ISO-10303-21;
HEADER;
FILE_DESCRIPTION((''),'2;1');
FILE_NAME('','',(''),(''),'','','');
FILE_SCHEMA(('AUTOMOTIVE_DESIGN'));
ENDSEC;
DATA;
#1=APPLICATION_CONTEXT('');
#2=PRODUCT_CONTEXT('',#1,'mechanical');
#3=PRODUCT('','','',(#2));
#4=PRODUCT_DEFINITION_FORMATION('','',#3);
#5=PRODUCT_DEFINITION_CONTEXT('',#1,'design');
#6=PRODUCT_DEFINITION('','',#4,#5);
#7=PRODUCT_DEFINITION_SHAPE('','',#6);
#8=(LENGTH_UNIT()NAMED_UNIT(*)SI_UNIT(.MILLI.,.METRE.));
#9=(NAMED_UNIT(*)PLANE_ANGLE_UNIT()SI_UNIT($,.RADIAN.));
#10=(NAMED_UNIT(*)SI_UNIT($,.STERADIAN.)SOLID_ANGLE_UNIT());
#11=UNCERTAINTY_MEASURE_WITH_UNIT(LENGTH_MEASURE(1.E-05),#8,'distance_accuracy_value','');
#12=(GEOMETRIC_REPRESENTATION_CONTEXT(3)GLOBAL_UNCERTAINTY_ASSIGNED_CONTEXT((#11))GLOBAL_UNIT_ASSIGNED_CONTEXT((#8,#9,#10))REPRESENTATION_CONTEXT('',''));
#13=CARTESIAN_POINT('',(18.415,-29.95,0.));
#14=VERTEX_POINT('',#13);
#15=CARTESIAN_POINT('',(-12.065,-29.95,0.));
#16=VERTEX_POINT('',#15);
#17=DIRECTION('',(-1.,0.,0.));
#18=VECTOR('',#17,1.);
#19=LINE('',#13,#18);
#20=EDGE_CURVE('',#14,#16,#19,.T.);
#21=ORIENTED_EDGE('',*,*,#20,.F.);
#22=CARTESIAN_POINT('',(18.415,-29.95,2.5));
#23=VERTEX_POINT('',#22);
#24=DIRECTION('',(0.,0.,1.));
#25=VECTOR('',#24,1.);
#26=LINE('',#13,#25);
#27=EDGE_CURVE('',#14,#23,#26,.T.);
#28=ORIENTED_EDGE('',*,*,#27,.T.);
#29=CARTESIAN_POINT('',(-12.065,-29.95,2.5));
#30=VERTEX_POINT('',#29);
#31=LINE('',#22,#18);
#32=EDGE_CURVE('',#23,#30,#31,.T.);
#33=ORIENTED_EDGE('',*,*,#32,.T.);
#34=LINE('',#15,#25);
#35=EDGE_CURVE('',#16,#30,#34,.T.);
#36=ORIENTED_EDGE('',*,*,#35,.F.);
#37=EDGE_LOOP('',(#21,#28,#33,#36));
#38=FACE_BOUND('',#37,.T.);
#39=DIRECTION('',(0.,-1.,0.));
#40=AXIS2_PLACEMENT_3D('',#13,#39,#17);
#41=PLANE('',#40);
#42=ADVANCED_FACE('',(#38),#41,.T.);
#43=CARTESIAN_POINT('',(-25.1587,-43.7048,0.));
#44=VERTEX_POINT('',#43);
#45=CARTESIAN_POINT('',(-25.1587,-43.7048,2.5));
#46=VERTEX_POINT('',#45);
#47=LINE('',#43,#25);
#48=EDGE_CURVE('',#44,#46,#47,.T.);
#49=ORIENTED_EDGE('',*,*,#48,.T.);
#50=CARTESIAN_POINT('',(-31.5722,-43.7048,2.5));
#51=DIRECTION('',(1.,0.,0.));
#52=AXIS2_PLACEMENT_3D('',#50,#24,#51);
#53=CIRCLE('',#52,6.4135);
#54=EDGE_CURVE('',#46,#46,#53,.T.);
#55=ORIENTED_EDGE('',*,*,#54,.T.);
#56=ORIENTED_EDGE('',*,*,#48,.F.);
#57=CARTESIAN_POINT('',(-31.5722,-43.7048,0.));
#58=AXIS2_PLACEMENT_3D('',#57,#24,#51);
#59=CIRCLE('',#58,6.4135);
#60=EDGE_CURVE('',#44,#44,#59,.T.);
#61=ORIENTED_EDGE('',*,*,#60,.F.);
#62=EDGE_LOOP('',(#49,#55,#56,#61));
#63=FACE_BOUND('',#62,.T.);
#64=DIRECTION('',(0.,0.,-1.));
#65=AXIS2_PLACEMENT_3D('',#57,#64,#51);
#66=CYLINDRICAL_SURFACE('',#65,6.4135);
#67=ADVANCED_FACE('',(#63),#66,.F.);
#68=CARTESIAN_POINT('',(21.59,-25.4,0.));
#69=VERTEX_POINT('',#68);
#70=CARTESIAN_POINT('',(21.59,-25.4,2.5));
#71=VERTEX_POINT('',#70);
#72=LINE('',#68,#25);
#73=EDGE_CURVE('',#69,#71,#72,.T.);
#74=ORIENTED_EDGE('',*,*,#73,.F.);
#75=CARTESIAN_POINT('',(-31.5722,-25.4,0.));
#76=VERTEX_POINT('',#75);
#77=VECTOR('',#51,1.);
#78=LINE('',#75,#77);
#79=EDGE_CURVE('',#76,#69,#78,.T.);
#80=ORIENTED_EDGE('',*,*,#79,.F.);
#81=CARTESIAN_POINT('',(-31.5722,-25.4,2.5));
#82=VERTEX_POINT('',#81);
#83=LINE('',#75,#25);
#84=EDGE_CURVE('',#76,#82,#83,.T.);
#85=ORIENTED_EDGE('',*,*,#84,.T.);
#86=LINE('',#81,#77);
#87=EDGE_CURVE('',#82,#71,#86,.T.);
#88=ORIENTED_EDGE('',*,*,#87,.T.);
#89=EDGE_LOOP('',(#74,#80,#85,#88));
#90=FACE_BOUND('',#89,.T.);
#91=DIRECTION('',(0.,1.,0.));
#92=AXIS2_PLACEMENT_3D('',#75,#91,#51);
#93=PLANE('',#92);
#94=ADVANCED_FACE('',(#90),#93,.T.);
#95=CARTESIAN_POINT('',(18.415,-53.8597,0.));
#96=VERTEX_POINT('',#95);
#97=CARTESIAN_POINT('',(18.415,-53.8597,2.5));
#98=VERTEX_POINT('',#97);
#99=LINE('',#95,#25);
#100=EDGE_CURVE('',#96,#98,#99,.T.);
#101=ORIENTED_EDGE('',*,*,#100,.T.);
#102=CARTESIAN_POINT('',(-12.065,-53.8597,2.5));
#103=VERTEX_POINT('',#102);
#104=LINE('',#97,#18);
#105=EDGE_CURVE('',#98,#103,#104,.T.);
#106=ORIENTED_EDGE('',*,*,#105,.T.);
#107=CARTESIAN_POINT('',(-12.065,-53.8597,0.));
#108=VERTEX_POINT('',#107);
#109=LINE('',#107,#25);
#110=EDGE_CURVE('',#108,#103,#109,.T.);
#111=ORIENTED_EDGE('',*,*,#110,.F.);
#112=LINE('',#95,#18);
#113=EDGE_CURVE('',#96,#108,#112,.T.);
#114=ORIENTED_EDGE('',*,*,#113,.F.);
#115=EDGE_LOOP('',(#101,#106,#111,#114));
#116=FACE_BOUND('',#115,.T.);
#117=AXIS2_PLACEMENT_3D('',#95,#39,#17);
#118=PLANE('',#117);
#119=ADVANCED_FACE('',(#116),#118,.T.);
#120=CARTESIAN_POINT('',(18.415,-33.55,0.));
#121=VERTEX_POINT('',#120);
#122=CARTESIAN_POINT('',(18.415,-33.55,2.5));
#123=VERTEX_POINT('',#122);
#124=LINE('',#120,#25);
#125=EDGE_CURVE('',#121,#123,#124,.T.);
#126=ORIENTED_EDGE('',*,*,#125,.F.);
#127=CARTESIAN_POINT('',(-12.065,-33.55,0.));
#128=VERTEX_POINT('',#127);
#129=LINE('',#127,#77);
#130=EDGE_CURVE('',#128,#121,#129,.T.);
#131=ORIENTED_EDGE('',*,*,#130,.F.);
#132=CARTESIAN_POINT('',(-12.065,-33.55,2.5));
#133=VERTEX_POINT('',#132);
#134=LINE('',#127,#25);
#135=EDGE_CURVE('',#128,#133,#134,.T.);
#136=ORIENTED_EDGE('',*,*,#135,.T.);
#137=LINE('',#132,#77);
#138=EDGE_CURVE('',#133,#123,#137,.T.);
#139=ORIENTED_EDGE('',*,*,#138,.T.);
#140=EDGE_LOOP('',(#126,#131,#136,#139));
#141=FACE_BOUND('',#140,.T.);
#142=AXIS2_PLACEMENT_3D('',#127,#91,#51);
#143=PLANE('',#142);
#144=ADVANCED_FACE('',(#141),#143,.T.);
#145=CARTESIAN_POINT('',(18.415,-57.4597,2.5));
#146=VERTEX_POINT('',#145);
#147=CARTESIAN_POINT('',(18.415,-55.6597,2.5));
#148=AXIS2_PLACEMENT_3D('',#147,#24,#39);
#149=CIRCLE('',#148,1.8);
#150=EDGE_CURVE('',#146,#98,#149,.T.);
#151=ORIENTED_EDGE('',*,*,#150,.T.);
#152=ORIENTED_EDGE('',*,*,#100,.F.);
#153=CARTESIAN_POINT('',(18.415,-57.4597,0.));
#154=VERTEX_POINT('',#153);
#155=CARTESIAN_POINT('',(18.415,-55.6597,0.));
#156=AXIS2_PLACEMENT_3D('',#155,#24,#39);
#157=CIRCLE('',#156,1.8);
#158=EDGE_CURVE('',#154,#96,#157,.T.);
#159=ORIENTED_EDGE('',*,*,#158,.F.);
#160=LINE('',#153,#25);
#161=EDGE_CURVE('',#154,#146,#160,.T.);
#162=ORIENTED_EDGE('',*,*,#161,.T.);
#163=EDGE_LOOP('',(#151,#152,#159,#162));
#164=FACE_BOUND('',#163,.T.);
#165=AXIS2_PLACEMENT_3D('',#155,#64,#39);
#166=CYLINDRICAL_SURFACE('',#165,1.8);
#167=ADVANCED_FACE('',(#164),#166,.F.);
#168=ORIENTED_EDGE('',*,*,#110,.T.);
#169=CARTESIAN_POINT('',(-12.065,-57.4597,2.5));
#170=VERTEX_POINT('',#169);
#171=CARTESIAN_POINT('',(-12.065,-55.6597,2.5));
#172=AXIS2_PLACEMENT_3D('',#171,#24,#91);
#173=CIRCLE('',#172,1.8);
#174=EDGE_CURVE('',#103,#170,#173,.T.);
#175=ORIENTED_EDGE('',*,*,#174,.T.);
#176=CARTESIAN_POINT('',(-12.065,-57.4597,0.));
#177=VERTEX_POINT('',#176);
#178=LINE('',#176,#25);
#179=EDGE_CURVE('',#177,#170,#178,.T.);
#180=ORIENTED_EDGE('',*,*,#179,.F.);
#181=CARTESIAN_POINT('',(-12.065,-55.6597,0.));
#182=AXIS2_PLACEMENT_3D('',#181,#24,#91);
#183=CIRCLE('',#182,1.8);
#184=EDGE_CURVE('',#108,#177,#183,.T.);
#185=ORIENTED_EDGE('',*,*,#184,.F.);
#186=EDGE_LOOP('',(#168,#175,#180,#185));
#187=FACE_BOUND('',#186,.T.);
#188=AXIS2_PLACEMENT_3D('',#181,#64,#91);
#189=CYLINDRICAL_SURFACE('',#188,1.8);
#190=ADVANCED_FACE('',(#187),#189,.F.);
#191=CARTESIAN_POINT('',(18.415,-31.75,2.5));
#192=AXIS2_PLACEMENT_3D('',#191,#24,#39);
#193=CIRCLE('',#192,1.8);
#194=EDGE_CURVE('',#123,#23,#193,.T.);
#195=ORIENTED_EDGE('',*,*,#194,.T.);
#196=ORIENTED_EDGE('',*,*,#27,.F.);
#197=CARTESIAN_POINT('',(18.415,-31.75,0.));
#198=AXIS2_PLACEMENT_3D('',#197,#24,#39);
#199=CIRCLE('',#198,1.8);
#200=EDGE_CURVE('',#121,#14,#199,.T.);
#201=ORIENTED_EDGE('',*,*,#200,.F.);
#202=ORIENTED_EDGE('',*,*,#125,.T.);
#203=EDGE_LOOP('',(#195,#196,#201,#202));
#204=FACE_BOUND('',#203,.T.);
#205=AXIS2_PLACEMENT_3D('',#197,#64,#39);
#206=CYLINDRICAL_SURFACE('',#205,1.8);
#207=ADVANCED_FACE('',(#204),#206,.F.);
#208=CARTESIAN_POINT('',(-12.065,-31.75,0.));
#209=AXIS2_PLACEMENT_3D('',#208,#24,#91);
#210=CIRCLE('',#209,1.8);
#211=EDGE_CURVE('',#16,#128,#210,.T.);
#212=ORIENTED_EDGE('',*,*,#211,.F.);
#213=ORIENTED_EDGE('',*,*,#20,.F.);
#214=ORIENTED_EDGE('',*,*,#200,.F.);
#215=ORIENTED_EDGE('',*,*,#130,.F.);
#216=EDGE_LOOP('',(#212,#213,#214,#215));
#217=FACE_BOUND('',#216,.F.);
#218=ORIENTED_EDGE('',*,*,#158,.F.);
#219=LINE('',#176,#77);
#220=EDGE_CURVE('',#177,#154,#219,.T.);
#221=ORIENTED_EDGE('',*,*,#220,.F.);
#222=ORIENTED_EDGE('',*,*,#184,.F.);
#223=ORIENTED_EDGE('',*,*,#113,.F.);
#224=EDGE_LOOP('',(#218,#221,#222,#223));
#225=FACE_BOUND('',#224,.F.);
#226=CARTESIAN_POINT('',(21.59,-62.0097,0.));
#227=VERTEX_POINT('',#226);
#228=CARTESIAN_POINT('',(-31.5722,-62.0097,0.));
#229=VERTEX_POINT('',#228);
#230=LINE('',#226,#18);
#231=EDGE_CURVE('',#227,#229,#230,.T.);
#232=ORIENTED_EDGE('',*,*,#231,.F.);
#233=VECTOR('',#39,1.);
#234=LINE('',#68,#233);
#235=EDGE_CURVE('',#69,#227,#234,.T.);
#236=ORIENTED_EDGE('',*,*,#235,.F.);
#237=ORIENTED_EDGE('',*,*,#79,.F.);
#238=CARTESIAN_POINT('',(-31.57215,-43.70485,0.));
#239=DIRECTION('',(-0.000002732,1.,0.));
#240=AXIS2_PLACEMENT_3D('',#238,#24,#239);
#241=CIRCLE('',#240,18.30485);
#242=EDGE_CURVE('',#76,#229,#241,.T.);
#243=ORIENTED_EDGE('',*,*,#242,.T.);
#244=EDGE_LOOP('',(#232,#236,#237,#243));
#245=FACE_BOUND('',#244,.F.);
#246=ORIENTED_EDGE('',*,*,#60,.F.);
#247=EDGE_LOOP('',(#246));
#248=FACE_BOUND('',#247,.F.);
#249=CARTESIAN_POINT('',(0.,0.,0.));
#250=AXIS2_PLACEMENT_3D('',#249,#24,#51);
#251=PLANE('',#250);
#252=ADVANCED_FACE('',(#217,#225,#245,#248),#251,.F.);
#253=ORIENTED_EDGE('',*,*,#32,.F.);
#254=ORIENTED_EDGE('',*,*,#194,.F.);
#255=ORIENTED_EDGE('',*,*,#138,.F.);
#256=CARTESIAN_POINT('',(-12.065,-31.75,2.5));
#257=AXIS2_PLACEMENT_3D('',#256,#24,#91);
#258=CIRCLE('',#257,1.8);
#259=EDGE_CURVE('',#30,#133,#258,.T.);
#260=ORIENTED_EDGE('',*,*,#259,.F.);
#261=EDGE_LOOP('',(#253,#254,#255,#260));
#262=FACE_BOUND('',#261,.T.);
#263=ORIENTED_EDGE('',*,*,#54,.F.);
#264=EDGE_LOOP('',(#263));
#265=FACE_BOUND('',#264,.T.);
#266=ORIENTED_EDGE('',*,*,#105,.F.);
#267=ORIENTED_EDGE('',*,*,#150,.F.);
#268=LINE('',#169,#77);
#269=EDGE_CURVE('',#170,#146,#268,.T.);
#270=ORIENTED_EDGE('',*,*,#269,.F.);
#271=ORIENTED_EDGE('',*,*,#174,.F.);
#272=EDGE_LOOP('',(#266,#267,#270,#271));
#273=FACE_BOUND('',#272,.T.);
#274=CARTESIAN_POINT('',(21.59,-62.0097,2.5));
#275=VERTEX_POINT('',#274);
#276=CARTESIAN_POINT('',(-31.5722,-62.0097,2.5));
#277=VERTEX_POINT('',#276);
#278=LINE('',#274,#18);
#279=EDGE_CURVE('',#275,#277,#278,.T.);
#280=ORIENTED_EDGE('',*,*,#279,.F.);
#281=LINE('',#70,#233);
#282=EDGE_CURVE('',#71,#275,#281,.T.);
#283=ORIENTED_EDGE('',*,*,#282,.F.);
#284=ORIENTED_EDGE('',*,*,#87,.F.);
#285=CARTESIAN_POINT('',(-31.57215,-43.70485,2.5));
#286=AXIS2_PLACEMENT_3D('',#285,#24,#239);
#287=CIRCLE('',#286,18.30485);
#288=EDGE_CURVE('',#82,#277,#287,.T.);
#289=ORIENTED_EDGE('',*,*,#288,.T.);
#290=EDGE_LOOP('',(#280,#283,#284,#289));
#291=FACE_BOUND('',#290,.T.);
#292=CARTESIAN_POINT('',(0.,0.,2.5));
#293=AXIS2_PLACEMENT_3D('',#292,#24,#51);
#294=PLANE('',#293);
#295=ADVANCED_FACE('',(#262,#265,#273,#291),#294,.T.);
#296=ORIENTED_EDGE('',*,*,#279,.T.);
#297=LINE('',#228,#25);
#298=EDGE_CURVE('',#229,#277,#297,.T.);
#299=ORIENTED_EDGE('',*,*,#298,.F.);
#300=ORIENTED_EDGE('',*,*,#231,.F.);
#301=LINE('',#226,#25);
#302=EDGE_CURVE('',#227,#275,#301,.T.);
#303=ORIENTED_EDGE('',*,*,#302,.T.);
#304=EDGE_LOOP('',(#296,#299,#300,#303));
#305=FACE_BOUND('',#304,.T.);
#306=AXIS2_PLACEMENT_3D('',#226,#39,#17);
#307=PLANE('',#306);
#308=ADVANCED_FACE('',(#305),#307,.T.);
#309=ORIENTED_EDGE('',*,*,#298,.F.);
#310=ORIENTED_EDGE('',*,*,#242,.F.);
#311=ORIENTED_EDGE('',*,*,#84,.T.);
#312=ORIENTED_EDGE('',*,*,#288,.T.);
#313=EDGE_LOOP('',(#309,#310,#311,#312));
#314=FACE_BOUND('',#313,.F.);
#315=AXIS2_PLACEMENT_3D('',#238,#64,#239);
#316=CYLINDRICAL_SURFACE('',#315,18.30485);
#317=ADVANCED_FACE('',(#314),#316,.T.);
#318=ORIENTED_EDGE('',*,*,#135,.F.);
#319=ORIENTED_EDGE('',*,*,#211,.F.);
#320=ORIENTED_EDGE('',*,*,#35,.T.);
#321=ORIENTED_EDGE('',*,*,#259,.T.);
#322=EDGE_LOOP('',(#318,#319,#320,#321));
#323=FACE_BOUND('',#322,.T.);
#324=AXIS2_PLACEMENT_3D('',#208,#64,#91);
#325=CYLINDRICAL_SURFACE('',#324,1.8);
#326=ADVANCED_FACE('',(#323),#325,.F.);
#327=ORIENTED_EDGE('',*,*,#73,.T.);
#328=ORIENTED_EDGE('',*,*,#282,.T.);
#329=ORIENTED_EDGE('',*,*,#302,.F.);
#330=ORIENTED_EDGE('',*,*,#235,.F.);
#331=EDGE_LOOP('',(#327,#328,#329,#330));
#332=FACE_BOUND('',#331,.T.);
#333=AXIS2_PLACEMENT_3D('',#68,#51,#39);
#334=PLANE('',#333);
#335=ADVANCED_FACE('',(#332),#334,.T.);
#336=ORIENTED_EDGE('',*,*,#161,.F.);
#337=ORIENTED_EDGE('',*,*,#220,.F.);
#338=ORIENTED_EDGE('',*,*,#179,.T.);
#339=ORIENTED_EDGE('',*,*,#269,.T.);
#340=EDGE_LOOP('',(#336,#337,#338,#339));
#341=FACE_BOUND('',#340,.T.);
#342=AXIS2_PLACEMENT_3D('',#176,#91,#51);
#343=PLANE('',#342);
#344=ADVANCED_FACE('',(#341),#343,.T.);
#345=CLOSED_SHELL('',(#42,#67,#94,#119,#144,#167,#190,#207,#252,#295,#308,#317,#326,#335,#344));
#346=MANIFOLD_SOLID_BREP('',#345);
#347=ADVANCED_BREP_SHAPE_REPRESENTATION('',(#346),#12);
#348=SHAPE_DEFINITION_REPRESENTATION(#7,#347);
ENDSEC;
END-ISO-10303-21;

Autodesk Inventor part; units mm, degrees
ref_plane "YZ Plane" through (0, 0, 0) normal (1, 0, 0) x (0, 1, 0)
ref_plane "XZ Plane" through (0, 0, 0) normal (0, 1, 0) x (-1, 0, 0)
ref_plane "XY Plane" through (0, 0, 0) normal (0, 0, 1) x (1, 0, 0)
ref_plane "Work Plane1" through (0, 0, 0) normal (0, 0, 1) x (1, 0, 0)
sketch "Sketch1" plane through (0, 0, 0) normal (0, 0, 1) x (1, 0, 0)
  line L0 (11.43, 0) -> (11.43, -63.5) construction
  line L1 (0, 0) -> (11.43, 0) construction
  line L2 (0, 0) -> (0, -63.5) construction
  line L3 (7.44, -34.7378) -> (0, -34.7378) construction
  circle A0 centre (5.715, -31.75) radius 1.7 construction
  circle A1 centre (-31.5722, -43.7048) radius 6.4135
  line L4 (0, -63.5) -> (11.43, -63.5) construction
  circle A2 centre (5.715, -55.6597) radius 1.7 construction
  line L5 (21.59, -62.0097) -> (-31.5722, -62.0097)
  line L6 (-31.5722, -25.4) -> (21.59, -25.4)
  line L7 (21.59, -25.4) -> (21.59, -62.0097)
  arc A3 (-31.5722, -25.4) -> (-31.5722, -62.0097) centre (-31.5722, -43.7048) ccw
  line L8 (18.415, -31.75) -> (-12.065, -31.75) construction
  line L9 (18.415, -29.95) -> (-12.065, -29.95)
  line L10 (-12.065, -33.55) -> (18.415, -33.55)
  arc A4 (18.415, -33.55) -> (18.415, -29.95) centre (18.415, -31.75) ccw
  arc A5 (-12.065, -29.95) -> (-12.065, -33.55) centre (-12.065, -31.75) ccw
  line L11 (18.415, -55.6597) -> (-12.065, -55.6597) construction
  line L12 (18.415, -53.8597) -> (-12.065, -53.8597)
  line L13 (-12.065, -57.4597) -> (18.415, -57.4597)
  arc A6 (18.415, -57.4597) -> (18.415, -53.8597) centre (18.415, -55.6597) ccw
  arc A7 (-12.065, -53.8597) -> (-12.065, -57.4597) centre (-12.065, -55.6597) ccw
  point P0 (3.175, -31.75)
  point P1 (3.175, -55.6597)
extrude "Extrusion1" add sketch "Sketch1" along normal blind 2.5
equation "\"d3\" = d4 + 0.5 * d5"
equation "\"d4\" = 7.8403"
equation "\"d5\" = 23.9097"
properties part number "driven wheel arm"
